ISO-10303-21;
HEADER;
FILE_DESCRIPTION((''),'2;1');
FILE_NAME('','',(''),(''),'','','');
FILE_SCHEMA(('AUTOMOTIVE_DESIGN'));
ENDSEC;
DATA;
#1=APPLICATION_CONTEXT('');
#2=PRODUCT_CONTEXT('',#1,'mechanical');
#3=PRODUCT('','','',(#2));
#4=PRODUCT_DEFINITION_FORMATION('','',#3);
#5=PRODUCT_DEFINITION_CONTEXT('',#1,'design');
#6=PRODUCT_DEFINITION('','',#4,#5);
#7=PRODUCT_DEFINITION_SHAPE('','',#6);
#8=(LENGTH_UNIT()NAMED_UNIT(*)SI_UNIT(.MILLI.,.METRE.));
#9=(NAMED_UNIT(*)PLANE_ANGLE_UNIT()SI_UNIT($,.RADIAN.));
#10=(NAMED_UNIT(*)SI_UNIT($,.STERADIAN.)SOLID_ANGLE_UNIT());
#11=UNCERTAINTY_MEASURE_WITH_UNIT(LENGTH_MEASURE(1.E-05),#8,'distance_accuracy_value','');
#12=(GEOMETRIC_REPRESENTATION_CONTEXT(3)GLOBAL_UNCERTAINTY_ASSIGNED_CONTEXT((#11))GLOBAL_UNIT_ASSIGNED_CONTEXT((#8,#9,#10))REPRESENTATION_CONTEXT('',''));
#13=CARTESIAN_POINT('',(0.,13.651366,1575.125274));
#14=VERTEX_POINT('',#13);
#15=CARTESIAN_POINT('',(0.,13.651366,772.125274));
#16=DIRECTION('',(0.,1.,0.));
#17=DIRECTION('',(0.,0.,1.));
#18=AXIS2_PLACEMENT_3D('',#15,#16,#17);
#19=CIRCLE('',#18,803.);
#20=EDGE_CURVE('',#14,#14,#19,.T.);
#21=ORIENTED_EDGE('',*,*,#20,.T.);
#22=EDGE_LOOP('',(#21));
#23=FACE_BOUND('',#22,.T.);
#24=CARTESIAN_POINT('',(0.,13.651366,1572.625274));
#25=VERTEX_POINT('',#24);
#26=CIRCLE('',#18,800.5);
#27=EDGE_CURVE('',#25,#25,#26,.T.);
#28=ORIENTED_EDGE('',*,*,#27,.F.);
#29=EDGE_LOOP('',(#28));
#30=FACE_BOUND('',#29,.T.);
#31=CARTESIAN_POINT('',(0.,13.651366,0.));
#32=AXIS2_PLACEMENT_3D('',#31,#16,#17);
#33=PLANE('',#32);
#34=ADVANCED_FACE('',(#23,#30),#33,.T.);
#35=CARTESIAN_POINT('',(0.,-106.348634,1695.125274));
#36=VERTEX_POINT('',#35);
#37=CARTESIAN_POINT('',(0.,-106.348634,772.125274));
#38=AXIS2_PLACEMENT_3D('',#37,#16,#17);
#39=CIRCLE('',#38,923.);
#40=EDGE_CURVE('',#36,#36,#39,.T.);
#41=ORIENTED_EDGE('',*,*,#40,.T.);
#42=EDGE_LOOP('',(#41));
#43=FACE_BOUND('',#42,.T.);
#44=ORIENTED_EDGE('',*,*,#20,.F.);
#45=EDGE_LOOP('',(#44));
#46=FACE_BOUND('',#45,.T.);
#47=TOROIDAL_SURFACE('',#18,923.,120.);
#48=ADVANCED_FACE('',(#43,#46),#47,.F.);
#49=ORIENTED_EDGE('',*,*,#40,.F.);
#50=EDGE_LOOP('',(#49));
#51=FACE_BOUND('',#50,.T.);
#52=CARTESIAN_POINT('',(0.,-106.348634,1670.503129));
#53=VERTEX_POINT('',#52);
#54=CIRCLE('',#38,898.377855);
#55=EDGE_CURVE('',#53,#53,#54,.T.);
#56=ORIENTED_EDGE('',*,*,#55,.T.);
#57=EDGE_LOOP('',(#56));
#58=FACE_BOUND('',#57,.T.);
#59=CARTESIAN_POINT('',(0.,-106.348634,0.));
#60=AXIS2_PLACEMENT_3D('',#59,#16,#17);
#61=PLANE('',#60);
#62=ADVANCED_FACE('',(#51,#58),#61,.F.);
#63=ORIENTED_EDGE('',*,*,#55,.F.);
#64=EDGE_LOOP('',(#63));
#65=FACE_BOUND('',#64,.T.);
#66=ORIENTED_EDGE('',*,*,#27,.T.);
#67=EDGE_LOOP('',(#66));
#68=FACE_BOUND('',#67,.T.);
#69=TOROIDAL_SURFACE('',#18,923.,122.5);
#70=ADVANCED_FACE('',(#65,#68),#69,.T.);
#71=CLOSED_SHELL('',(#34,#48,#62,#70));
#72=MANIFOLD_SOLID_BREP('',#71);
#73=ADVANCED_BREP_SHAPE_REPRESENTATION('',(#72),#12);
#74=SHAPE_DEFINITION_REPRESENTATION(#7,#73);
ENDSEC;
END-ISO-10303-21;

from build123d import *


with BuildPart() as part:
    # Sketch1 → Revolve1 (revolve)
    with BuildSketch(Plane(origin=(0, 0, 0), x_dir=(0, 0, -1), z_dir=(1, 0, 0))):
        with BuildLine():
            Line((-1572.62527351, 13.651366419), (-1575.12527351, 13.651366419))
            ThreePointArc((-1575.12527351, 13.651366419), (-1610.272459768, -71.201447323), (-1695.12527351, -106.348633581))
            Line((-1695.12527351, -106.348633581), (-1670.503129006, -106.348633581))
            ThreePointArc((-1670.503129006, -106.348633581), (-1600.197767745, -63.776139347), (-1572.62527351, 13.651366419))
        make_face()
    revolve(axis=Axis((0, 13.651366419, 772.12527351), (0, -1, 0)))


solid = part.part
